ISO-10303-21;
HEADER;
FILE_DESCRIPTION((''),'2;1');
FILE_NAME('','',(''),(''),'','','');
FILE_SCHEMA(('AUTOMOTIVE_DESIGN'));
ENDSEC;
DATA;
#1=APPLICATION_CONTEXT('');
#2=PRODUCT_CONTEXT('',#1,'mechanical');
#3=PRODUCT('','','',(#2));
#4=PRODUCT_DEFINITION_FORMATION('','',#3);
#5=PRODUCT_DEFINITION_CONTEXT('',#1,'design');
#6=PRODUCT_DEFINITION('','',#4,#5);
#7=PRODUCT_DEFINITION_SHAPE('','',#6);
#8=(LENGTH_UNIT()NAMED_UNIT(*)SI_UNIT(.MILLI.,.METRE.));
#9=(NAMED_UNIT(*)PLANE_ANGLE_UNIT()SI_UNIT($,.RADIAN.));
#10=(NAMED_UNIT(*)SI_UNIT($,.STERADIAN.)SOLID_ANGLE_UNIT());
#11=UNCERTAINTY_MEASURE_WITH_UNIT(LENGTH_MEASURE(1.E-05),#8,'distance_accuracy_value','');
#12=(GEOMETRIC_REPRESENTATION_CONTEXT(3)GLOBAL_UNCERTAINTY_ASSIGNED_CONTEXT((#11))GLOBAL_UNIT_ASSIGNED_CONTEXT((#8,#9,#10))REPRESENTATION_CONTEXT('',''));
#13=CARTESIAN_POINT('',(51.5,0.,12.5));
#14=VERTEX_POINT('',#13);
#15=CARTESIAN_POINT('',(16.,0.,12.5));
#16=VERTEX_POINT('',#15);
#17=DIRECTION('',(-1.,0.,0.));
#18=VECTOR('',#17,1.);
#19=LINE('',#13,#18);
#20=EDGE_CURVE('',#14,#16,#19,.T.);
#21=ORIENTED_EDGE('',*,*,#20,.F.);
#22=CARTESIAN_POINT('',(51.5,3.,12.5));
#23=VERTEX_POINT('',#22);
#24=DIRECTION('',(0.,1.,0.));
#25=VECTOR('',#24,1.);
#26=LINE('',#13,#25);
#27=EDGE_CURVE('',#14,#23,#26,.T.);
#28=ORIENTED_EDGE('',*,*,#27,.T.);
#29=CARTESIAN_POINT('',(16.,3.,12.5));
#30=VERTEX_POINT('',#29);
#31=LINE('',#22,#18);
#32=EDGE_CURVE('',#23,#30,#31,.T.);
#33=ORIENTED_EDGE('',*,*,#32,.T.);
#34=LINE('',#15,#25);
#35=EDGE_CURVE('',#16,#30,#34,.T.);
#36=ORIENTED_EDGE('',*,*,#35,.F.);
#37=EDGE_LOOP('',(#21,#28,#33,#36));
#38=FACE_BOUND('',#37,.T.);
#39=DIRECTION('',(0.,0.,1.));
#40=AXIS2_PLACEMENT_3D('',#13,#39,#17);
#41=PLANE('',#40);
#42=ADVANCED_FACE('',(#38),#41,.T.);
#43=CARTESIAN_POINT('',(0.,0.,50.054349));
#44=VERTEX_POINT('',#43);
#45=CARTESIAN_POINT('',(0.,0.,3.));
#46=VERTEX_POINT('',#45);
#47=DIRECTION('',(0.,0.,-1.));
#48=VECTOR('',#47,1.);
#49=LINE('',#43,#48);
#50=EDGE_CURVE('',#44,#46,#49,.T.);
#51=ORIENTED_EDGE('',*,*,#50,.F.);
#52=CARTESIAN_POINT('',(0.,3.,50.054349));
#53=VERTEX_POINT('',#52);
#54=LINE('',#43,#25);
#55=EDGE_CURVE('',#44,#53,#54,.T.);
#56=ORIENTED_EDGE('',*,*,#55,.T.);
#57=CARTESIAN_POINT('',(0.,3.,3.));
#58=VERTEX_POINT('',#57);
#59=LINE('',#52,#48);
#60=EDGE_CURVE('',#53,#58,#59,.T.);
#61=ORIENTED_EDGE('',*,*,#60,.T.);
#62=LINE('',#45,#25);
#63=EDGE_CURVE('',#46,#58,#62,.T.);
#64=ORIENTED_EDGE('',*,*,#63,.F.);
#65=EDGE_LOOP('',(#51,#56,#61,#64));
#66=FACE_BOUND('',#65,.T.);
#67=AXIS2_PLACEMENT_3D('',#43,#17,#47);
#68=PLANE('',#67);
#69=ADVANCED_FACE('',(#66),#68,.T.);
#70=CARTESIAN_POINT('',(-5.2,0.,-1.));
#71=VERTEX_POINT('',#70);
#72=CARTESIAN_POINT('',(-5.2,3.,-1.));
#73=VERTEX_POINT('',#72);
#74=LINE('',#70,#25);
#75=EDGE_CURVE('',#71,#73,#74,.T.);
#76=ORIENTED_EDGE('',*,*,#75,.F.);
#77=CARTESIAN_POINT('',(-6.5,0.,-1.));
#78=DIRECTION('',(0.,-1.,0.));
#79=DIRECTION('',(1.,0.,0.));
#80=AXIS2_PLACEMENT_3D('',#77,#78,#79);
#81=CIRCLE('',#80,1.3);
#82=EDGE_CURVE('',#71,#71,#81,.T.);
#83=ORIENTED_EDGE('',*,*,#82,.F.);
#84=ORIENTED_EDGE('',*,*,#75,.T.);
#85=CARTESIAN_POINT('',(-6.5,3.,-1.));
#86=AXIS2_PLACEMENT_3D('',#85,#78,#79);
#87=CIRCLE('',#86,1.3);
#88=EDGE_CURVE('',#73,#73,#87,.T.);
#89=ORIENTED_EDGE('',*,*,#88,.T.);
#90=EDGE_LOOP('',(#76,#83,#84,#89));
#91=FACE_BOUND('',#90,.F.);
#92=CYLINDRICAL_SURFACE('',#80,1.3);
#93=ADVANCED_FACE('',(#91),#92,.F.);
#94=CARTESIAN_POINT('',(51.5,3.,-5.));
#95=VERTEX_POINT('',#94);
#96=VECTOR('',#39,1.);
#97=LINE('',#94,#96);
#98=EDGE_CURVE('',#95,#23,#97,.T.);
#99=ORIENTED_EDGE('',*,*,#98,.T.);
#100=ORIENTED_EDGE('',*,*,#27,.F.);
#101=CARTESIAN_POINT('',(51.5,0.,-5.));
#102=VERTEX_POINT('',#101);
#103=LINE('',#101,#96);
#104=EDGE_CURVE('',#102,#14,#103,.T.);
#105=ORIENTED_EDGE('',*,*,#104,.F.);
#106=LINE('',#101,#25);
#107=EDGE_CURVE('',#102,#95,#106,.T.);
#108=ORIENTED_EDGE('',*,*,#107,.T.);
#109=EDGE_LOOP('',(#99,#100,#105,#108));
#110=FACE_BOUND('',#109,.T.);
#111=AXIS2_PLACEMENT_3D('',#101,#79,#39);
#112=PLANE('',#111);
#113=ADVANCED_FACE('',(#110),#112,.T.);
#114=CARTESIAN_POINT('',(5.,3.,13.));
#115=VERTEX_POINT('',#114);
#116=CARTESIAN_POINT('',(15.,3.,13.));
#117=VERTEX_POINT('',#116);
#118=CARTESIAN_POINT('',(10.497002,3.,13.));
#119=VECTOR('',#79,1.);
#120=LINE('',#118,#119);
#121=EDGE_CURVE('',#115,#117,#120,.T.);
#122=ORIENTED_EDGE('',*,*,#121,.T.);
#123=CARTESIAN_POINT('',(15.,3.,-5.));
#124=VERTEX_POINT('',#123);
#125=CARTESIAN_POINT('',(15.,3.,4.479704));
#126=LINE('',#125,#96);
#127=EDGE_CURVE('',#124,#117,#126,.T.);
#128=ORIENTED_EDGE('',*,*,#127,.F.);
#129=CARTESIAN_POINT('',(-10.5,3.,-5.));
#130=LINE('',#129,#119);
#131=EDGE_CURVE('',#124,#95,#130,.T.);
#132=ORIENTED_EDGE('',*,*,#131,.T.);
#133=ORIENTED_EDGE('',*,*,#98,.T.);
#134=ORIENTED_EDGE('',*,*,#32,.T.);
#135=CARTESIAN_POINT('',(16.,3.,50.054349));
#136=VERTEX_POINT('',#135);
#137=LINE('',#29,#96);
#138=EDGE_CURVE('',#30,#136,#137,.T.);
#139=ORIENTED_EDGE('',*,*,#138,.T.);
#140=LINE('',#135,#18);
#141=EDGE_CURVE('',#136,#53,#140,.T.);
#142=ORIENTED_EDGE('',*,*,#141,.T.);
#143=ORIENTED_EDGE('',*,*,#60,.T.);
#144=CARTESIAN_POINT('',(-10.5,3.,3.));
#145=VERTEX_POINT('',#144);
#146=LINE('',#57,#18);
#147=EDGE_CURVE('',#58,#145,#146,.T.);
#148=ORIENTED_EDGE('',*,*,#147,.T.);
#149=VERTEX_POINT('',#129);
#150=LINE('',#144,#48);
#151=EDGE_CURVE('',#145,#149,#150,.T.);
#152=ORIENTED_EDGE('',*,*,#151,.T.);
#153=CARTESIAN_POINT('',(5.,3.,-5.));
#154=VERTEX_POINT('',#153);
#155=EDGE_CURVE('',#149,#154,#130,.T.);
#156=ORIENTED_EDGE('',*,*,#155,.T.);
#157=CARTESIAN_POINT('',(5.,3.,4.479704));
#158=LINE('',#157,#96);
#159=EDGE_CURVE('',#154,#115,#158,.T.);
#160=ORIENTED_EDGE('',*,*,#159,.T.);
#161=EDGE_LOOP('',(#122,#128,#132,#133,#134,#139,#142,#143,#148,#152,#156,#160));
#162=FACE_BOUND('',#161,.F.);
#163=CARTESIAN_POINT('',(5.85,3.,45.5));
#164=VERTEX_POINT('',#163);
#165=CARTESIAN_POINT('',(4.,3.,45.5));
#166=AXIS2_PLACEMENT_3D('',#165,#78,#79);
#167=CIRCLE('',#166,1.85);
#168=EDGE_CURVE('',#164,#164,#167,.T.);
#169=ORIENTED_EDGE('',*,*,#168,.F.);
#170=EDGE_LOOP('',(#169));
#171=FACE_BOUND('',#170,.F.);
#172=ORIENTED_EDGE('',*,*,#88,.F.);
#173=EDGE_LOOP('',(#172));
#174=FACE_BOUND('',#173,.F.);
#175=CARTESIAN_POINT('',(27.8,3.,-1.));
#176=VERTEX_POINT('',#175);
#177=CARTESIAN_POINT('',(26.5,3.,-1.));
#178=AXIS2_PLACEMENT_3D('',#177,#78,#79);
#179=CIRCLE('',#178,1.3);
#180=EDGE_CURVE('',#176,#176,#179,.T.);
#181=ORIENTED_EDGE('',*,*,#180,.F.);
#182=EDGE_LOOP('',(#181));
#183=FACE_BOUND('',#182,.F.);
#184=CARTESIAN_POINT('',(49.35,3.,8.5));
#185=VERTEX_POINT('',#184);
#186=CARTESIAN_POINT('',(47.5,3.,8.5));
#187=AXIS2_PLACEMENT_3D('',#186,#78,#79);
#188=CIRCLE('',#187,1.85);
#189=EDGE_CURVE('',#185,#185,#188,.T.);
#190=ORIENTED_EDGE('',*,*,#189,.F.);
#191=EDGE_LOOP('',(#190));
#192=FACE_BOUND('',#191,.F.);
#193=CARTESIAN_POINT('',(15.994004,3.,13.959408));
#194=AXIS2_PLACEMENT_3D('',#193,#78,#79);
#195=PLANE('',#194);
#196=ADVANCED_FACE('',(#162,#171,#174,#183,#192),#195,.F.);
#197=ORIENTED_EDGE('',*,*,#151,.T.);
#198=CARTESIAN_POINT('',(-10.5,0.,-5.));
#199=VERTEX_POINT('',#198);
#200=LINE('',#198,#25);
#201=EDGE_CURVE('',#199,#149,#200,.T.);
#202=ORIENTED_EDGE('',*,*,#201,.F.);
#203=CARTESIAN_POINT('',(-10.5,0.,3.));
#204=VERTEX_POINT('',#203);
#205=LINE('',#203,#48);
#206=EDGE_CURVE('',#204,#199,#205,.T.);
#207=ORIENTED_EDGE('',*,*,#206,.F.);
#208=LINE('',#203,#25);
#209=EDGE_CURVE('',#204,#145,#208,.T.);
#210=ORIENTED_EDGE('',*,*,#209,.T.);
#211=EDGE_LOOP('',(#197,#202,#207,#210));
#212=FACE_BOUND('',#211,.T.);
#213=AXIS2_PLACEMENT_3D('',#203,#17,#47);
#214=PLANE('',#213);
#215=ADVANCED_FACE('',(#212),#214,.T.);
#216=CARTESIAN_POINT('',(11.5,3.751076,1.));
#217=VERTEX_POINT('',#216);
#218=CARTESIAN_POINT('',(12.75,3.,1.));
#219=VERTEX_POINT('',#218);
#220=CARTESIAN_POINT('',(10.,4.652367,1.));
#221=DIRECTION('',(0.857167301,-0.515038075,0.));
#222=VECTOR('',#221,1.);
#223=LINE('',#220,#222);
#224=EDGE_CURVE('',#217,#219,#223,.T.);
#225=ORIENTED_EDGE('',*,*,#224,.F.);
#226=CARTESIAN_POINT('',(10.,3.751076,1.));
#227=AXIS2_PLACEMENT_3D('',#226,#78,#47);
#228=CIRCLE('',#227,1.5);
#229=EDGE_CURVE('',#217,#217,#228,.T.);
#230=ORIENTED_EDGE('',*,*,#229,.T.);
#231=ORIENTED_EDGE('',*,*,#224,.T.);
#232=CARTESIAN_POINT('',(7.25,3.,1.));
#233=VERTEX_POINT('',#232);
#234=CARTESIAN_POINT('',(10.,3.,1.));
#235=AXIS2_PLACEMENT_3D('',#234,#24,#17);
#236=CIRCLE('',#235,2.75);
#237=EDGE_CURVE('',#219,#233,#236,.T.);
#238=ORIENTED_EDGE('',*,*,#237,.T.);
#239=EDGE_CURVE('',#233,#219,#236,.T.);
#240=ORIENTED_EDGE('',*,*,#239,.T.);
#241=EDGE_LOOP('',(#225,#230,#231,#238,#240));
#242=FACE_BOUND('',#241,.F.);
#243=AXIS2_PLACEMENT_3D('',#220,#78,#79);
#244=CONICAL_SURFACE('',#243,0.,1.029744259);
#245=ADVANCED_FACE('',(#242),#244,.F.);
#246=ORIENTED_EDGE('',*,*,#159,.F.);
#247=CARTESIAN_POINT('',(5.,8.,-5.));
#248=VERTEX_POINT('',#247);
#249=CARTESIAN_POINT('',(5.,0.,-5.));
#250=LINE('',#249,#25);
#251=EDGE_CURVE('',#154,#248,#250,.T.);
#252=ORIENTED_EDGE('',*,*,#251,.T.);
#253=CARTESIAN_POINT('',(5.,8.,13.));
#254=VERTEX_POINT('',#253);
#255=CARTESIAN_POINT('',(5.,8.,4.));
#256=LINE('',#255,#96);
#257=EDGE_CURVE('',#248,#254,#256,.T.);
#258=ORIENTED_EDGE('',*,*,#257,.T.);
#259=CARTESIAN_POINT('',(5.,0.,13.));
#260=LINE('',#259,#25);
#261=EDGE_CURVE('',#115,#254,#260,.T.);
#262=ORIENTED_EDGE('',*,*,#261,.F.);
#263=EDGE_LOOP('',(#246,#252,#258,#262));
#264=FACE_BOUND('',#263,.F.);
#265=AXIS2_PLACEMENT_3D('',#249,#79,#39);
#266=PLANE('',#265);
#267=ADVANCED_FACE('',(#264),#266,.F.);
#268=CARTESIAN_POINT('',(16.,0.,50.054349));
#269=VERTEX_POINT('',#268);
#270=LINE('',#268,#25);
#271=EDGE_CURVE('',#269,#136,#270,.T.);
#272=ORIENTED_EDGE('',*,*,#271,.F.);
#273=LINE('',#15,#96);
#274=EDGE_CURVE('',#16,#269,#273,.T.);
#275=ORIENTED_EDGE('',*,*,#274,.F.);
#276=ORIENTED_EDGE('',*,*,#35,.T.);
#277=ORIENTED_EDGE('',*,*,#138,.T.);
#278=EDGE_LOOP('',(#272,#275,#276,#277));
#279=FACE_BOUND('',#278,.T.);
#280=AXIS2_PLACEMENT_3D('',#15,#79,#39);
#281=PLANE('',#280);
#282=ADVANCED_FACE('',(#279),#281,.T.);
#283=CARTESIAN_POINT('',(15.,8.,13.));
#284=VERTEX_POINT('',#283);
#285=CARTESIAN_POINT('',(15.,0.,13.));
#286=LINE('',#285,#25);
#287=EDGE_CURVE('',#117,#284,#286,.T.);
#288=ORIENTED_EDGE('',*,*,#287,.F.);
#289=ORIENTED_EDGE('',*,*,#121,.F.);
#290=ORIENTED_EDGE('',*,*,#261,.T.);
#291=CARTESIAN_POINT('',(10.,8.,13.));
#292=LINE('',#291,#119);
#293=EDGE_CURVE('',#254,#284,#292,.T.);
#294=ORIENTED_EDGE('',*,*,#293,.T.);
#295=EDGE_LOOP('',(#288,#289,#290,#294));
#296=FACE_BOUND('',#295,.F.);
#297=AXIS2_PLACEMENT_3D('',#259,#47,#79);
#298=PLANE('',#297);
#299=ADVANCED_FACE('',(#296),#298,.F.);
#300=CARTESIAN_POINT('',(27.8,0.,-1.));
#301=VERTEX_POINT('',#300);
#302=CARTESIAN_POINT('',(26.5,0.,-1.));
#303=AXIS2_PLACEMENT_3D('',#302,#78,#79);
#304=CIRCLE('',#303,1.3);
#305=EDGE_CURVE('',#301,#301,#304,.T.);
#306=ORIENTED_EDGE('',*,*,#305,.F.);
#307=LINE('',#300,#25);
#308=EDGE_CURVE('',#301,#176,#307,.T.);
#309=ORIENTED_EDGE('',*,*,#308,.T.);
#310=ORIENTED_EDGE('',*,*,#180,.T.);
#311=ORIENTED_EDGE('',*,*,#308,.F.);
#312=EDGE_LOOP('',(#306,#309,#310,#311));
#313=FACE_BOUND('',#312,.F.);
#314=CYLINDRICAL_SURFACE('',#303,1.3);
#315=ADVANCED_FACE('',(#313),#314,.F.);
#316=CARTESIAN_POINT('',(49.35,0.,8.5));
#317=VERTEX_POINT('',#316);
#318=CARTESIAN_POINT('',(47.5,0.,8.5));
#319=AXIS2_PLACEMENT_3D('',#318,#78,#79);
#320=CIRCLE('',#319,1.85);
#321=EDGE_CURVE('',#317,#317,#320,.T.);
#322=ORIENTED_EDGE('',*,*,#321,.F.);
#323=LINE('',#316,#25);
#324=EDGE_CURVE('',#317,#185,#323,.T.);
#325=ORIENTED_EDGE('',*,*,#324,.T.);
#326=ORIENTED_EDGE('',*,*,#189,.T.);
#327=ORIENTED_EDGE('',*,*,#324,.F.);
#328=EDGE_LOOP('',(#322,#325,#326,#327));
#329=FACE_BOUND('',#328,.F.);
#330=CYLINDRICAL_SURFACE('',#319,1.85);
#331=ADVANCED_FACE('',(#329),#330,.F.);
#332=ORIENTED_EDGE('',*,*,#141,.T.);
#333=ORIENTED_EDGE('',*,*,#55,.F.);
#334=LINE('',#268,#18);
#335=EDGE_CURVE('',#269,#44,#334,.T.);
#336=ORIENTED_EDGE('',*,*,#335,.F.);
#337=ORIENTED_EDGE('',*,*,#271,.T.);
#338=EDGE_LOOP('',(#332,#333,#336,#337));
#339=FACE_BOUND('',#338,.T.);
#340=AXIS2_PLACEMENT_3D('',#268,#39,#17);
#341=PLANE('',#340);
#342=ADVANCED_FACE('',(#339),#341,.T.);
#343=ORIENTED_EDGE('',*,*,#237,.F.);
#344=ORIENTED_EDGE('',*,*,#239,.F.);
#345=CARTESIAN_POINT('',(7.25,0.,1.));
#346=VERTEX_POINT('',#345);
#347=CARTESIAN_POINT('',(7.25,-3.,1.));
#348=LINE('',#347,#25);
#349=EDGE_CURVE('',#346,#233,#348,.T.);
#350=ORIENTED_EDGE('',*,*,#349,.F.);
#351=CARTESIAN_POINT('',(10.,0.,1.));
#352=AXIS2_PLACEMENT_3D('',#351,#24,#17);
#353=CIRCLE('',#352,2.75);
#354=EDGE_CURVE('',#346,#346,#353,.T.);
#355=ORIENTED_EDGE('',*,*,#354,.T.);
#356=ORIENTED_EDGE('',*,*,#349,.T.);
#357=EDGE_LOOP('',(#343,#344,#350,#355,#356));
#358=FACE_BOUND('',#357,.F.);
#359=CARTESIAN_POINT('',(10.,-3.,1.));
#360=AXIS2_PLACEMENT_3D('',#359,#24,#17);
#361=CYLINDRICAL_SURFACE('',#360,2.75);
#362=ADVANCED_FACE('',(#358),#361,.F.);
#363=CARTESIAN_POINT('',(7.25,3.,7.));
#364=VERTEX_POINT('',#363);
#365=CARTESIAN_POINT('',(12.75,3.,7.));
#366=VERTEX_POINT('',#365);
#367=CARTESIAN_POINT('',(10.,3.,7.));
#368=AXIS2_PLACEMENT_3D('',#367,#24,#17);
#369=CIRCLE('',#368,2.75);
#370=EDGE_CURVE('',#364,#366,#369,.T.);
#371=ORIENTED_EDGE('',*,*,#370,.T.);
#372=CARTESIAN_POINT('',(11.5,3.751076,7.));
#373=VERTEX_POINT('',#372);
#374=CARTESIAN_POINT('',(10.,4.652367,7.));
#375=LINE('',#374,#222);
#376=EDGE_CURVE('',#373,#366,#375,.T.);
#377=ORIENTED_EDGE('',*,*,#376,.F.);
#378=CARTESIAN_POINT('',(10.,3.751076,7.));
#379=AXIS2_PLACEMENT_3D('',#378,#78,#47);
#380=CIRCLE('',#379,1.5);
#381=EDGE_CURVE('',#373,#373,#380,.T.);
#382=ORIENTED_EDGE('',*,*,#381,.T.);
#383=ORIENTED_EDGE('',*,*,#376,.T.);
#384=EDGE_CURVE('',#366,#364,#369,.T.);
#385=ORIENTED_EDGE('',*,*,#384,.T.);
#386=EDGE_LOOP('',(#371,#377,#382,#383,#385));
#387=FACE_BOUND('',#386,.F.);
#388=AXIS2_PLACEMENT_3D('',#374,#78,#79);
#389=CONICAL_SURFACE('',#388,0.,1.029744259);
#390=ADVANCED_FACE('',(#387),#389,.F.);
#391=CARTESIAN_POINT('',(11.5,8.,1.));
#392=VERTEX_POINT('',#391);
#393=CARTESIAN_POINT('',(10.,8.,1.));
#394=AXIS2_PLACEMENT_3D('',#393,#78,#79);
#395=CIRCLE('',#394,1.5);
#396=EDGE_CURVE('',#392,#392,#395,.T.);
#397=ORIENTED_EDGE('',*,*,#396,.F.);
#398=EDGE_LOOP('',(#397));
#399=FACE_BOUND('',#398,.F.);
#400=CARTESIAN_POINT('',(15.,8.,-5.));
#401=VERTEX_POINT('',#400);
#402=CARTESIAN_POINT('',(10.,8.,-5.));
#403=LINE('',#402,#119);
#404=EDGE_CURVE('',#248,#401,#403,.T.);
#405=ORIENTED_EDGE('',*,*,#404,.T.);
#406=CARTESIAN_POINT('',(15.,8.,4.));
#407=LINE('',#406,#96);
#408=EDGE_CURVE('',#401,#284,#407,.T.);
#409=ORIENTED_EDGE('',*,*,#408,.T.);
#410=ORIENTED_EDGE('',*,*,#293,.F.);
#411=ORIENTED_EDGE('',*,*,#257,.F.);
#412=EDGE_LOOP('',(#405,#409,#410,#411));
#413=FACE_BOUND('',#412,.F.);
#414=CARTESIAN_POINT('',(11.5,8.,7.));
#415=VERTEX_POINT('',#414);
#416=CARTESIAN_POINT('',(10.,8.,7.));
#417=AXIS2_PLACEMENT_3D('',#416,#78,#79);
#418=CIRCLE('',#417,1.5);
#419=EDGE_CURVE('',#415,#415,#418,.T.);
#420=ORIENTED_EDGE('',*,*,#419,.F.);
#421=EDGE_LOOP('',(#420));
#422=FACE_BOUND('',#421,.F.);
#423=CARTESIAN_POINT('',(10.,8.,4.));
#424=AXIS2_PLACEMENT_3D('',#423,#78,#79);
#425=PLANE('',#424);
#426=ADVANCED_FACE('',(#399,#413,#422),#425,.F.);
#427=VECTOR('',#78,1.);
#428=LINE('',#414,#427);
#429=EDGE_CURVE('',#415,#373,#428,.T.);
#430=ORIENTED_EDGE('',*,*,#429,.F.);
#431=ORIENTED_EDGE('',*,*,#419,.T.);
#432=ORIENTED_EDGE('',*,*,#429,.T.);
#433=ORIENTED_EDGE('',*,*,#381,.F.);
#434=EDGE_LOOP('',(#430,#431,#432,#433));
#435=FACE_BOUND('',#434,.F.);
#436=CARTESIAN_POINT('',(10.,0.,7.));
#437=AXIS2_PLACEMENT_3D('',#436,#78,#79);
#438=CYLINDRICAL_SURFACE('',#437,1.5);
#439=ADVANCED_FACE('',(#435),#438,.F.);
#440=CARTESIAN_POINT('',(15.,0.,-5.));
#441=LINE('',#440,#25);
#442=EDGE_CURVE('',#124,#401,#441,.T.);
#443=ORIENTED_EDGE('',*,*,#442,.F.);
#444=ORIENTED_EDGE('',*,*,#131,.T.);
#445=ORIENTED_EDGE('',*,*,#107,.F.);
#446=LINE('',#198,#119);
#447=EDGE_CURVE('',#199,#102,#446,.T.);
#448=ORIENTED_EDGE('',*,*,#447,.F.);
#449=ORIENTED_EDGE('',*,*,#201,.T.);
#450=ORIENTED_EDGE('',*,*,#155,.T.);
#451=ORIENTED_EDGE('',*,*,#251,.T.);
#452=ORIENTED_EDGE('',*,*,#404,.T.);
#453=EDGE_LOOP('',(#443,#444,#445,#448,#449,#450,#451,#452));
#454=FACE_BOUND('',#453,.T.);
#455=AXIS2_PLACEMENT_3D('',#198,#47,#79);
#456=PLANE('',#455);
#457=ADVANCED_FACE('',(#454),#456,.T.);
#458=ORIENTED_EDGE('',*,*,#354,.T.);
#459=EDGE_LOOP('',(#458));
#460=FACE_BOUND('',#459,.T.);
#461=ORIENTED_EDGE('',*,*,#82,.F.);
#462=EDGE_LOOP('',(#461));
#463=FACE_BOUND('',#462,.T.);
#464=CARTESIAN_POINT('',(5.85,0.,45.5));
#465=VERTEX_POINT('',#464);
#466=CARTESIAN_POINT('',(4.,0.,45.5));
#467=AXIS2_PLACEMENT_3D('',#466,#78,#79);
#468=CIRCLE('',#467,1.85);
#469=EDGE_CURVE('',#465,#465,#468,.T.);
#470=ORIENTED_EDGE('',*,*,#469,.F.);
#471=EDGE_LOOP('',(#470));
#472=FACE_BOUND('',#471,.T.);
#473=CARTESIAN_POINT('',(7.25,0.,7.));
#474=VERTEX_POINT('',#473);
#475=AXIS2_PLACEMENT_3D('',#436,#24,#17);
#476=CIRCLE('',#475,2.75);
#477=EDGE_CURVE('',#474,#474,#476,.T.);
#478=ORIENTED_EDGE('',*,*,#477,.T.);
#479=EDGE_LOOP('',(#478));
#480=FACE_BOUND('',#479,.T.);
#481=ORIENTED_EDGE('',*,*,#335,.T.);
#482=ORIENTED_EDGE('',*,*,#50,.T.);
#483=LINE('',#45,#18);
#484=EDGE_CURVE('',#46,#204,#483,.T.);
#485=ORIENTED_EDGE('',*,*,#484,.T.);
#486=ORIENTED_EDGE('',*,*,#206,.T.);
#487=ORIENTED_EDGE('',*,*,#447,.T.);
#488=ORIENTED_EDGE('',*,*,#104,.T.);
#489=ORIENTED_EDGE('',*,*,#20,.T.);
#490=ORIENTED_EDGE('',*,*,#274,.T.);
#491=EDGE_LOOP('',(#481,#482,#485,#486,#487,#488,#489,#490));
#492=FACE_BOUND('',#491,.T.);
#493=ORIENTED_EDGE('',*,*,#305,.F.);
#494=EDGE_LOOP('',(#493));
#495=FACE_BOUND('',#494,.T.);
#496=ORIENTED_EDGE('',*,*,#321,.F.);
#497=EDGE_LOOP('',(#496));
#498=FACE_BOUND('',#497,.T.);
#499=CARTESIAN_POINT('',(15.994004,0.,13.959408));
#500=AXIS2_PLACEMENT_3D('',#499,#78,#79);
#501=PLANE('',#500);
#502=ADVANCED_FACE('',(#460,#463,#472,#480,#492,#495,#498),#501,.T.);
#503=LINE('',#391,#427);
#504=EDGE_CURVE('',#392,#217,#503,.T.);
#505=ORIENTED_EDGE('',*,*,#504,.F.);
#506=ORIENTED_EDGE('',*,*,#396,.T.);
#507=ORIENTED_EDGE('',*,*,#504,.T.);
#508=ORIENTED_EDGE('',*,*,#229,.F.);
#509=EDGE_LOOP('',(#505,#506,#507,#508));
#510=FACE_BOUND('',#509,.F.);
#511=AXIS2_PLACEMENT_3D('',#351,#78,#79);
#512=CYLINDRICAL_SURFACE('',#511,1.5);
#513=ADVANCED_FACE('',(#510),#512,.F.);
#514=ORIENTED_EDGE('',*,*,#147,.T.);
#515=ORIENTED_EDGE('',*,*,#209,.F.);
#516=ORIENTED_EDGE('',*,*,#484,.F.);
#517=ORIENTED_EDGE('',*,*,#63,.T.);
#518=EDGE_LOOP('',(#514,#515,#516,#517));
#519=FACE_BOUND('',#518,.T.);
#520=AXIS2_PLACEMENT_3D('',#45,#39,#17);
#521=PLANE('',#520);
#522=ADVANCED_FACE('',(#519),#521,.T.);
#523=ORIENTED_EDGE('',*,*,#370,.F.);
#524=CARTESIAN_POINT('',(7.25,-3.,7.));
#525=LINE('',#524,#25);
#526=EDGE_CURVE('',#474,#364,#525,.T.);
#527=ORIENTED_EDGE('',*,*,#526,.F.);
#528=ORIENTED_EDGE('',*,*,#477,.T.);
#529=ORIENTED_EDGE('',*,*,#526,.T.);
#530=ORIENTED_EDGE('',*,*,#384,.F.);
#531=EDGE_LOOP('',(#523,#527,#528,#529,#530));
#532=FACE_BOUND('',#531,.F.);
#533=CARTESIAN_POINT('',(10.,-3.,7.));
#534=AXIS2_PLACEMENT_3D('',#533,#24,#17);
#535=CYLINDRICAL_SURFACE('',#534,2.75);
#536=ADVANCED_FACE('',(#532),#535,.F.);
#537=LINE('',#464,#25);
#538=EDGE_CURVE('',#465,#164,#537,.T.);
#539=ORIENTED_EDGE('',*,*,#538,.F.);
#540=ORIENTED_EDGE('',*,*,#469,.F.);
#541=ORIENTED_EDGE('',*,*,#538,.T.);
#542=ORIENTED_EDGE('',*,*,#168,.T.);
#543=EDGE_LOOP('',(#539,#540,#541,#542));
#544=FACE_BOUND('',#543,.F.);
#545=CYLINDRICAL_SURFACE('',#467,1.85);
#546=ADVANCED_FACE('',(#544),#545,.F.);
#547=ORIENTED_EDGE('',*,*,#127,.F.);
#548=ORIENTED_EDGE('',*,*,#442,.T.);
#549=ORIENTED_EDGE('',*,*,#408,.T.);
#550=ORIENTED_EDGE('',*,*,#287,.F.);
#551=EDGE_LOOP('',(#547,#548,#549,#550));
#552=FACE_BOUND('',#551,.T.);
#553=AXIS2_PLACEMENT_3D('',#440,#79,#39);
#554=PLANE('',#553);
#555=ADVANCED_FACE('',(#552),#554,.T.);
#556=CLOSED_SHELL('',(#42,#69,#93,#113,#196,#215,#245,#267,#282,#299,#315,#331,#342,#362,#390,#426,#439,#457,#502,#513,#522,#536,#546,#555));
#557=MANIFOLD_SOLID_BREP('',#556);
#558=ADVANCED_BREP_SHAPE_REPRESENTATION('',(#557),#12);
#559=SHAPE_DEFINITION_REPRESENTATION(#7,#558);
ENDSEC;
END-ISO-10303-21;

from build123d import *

# Parameters (mm, degrees)
F0_R     = 1.3
F0_R_2   = 1.85
F0_W     = 10
F0_H     = 18
F0_R_3   = 1.5
F1_DEPTH = 3
F2_DEPTH = 8
F3_D     = 5.5
F3_DEPTH = 3
F3_TIP   = 1.6523667023


with BuildPart() as f1:
    # F0 (on Front) → F1 (new body)
    with BuildSketch(Plane.XZ):
        Polygon((0, 3), (-10.5, 3), (-10.5, -5), (5, -5), (5, 13), (15, 13), (15, -5), (51.5, -5), (51.5, 12.5), (16, 12.5), (16, 50.0543485135), (0, 50.0543485135), align=None)
        with Locations((-6.5, -1)):
            Circle(F0_R, mode=Mode.SUBTRACT)
        with Locations((26.5, -1)):
            Circle(F0_R, mode=Mode.SUBTRACT)
        with Locations((47.5, 8.5)):
            Circle(F0_R_2, mode=Mode.SUBTRACT)
        with Locations((4, 45.5)):
            Circle(F0_R_2, mode=Mode.SUBTRACT)
        with Locations((10, 4)):
            Rectangle(F0_W, F0_H)
        with Locations((10, 1)):
            Circle(F0_R_3, mode=Mode.SUBTRACT)
        with Locations((10, 7)):
            Circle(F0_R_3, mode=Mode.SUBTRACT)
    extrude(amount=-F1_DEPTH)

    # F0 (on Front) → F2 (join)
    with BuildSketch(Plane.XZ):
        with Locations((10, 4)):
            Rectangle(F0_W, F0_H)
        with Locations((10, 1)):
            Circle(F0_R_3, mode=Mode.SUBTRACT)
        with Locations((10, 7)):
            Circle(F0_R_3, mode=Mode.SUBTRACT)
    extrude(amount=-F2_DEPTH)

    # F3
    with Locations(Plane.XZ):
        with Locations((10, 7), (10, 1)):
            Hole(F3_D / 2, depth=F3_DEPTH)
            with Locations((0, 0, -(F3_DEPTH + F3_TIP / 2))):  # 118° drill point
                Cone(0, F3_D / 2, F3_TIP, mode=Mode.SUBTRACT)


solid = f1.part
